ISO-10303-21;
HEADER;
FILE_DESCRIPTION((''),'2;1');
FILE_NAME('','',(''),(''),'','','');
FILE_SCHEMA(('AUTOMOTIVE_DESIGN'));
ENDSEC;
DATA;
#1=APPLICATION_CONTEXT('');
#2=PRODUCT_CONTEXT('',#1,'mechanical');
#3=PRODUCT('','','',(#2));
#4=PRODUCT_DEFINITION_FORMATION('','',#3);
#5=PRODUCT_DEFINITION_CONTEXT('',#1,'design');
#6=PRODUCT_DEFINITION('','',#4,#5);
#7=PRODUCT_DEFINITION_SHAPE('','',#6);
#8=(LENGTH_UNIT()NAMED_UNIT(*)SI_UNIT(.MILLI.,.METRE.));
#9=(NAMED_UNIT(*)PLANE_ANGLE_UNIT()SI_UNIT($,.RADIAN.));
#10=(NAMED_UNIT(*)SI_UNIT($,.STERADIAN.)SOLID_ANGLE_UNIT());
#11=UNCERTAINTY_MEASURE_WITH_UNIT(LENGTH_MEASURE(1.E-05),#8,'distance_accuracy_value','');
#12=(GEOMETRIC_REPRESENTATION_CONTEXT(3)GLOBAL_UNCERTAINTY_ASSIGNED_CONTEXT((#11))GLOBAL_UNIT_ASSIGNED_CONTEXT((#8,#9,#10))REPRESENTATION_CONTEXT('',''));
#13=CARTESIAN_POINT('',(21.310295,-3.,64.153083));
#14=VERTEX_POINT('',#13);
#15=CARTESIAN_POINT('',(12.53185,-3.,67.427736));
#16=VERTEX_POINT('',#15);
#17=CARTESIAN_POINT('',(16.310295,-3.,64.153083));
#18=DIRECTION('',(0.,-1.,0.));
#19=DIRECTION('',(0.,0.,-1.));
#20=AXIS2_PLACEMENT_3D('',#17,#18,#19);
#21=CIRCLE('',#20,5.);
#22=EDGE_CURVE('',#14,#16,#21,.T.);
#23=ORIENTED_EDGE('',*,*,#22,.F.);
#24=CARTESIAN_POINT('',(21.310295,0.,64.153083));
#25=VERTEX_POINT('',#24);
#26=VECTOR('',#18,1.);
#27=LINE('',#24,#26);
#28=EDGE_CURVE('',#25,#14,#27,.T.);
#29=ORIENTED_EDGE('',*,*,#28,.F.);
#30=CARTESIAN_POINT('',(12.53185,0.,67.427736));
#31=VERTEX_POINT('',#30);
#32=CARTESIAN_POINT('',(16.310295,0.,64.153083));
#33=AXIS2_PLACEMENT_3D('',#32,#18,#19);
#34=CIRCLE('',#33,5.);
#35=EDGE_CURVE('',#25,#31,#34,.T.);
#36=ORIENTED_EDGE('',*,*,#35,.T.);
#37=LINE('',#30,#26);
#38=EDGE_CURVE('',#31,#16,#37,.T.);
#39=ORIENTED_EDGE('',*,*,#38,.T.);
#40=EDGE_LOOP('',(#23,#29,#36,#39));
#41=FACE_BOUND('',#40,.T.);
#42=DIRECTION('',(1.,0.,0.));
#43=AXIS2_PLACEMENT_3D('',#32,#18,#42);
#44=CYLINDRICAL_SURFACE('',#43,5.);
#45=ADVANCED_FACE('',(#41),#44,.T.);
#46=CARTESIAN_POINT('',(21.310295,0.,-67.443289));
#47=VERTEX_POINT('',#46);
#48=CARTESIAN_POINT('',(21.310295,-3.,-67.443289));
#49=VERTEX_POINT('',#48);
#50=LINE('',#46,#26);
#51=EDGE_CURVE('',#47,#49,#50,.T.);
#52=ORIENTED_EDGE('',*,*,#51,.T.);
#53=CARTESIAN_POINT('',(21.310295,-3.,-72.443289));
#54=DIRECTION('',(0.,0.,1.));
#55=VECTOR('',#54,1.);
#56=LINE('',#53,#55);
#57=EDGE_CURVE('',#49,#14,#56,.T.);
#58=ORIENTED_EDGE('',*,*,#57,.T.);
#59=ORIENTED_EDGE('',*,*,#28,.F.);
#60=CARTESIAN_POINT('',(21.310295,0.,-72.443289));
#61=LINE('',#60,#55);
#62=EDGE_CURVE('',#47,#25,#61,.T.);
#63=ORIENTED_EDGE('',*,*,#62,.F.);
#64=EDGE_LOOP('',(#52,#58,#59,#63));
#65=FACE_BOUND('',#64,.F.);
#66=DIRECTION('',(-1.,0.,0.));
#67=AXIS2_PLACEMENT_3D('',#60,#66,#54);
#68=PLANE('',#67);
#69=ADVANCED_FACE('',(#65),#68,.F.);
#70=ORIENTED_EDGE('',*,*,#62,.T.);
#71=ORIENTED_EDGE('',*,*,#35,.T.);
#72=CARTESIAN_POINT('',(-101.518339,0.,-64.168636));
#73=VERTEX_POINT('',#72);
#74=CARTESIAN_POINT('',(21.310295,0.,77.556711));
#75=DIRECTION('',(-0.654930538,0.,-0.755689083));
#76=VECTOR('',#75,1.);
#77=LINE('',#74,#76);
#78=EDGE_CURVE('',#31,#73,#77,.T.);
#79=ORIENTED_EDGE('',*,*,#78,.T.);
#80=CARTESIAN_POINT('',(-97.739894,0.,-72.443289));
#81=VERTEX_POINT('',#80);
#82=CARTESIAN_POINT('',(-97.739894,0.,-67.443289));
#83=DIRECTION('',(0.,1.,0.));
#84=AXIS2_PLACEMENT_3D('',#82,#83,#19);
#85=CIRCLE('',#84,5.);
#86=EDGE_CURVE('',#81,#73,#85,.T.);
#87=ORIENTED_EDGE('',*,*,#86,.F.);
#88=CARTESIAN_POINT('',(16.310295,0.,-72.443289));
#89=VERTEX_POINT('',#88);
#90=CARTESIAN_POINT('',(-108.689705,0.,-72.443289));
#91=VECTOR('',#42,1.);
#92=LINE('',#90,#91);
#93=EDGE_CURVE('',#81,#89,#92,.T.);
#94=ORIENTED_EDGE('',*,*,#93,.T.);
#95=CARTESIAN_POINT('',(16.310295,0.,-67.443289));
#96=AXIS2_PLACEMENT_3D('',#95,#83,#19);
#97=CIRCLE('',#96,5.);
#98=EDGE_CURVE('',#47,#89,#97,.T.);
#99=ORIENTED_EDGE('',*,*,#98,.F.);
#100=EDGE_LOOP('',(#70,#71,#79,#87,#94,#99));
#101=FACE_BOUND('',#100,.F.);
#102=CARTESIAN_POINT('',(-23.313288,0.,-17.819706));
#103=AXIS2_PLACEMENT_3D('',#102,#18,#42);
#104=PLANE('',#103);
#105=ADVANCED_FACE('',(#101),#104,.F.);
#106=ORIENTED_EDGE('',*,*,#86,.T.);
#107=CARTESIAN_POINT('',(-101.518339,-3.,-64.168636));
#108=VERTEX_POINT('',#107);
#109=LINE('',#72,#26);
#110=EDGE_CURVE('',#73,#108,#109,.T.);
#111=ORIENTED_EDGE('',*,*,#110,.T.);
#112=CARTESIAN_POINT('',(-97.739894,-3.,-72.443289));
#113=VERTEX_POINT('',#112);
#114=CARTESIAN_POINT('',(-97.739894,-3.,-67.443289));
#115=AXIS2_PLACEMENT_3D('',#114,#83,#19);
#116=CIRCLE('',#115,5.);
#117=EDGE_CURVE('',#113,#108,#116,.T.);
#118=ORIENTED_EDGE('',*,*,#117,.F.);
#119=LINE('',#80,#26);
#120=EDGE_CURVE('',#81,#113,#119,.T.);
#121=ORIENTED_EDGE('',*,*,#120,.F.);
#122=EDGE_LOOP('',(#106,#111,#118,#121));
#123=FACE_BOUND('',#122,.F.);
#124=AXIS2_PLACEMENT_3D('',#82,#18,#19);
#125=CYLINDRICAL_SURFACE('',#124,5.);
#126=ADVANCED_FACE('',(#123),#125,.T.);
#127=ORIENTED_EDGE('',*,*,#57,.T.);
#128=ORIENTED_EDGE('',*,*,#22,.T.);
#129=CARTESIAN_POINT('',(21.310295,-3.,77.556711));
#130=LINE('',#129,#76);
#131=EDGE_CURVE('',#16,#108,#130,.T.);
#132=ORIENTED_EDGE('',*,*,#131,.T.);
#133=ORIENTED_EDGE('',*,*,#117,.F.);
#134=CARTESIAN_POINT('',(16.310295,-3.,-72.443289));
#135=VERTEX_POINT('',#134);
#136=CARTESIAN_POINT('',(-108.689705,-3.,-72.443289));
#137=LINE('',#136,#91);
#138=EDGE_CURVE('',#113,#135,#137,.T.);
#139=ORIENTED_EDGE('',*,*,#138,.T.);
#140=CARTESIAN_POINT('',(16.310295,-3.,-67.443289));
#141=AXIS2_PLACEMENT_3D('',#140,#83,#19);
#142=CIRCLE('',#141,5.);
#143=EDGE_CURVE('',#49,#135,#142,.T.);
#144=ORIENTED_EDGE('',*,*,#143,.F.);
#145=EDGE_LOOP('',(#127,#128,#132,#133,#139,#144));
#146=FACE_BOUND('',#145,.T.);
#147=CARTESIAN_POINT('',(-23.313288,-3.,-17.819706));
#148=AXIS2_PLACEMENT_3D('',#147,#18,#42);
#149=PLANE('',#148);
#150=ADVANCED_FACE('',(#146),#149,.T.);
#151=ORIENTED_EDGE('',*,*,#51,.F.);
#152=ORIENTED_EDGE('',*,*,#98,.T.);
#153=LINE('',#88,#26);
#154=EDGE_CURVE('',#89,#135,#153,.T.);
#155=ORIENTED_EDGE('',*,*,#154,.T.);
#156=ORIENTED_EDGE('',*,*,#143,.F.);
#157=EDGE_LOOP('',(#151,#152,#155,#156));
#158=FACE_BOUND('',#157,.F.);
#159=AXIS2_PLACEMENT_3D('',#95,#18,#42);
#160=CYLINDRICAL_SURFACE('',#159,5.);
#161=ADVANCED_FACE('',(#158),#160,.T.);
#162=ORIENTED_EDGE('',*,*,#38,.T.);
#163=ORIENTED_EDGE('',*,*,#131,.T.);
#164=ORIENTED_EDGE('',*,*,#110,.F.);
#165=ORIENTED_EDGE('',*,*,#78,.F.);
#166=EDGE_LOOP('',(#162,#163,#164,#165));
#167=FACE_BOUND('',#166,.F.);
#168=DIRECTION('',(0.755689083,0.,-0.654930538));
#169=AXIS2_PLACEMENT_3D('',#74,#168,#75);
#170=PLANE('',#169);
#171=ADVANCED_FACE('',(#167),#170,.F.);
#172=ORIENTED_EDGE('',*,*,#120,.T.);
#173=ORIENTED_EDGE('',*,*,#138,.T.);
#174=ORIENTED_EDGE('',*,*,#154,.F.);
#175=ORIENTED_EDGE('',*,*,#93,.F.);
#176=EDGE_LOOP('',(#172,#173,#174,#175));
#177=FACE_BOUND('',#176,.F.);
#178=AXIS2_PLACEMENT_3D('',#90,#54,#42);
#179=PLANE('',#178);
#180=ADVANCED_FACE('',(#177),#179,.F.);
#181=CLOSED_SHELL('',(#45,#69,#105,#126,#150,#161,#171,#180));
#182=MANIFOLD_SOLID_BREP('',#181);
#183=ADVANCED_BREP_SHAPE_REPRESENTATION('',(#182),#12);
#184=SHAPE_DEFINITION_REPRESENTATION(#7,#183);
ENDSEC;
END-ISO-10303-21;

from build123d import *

# Parameters (mm, degrees)
F1_DEPTH = 3
F2_R     = 5
F3_R     = 5
F4_R     = 5


with BuildPart() as f1:
    # F0 (on Front) → F1 (new body)
    with BuildSketch(Plane.XZ):
        Polygon((21.310295, -72.443289), (21.310295, 77.556711), (-108.689705, -72.443289), align=None)
    extrude(amount=F1_DEPTH)

    # F2
    f2_edges = [f1.edges().sort_by_distance(p)[0] for p in [
        (21.310295, -1.5, 77.556711),
    ]]
    fillet(f2_edges, radius=F2_R)

    # F3
    f3_edges = [f1.edges().sort_by_distance(p)[0] for p in [
        (21.310295, -1.5, -72.443289),
    ]]
    fillet(f3_edges, radius=F3_R)

    # F4
    f4_edges = [f1.edges().sort_by_distance(p)[0] for p in [
        (-108.689705, -1.5, -72.443289),
    ]]
    fillet(f4_edges, radius=F4_R)


solid = f1.part
